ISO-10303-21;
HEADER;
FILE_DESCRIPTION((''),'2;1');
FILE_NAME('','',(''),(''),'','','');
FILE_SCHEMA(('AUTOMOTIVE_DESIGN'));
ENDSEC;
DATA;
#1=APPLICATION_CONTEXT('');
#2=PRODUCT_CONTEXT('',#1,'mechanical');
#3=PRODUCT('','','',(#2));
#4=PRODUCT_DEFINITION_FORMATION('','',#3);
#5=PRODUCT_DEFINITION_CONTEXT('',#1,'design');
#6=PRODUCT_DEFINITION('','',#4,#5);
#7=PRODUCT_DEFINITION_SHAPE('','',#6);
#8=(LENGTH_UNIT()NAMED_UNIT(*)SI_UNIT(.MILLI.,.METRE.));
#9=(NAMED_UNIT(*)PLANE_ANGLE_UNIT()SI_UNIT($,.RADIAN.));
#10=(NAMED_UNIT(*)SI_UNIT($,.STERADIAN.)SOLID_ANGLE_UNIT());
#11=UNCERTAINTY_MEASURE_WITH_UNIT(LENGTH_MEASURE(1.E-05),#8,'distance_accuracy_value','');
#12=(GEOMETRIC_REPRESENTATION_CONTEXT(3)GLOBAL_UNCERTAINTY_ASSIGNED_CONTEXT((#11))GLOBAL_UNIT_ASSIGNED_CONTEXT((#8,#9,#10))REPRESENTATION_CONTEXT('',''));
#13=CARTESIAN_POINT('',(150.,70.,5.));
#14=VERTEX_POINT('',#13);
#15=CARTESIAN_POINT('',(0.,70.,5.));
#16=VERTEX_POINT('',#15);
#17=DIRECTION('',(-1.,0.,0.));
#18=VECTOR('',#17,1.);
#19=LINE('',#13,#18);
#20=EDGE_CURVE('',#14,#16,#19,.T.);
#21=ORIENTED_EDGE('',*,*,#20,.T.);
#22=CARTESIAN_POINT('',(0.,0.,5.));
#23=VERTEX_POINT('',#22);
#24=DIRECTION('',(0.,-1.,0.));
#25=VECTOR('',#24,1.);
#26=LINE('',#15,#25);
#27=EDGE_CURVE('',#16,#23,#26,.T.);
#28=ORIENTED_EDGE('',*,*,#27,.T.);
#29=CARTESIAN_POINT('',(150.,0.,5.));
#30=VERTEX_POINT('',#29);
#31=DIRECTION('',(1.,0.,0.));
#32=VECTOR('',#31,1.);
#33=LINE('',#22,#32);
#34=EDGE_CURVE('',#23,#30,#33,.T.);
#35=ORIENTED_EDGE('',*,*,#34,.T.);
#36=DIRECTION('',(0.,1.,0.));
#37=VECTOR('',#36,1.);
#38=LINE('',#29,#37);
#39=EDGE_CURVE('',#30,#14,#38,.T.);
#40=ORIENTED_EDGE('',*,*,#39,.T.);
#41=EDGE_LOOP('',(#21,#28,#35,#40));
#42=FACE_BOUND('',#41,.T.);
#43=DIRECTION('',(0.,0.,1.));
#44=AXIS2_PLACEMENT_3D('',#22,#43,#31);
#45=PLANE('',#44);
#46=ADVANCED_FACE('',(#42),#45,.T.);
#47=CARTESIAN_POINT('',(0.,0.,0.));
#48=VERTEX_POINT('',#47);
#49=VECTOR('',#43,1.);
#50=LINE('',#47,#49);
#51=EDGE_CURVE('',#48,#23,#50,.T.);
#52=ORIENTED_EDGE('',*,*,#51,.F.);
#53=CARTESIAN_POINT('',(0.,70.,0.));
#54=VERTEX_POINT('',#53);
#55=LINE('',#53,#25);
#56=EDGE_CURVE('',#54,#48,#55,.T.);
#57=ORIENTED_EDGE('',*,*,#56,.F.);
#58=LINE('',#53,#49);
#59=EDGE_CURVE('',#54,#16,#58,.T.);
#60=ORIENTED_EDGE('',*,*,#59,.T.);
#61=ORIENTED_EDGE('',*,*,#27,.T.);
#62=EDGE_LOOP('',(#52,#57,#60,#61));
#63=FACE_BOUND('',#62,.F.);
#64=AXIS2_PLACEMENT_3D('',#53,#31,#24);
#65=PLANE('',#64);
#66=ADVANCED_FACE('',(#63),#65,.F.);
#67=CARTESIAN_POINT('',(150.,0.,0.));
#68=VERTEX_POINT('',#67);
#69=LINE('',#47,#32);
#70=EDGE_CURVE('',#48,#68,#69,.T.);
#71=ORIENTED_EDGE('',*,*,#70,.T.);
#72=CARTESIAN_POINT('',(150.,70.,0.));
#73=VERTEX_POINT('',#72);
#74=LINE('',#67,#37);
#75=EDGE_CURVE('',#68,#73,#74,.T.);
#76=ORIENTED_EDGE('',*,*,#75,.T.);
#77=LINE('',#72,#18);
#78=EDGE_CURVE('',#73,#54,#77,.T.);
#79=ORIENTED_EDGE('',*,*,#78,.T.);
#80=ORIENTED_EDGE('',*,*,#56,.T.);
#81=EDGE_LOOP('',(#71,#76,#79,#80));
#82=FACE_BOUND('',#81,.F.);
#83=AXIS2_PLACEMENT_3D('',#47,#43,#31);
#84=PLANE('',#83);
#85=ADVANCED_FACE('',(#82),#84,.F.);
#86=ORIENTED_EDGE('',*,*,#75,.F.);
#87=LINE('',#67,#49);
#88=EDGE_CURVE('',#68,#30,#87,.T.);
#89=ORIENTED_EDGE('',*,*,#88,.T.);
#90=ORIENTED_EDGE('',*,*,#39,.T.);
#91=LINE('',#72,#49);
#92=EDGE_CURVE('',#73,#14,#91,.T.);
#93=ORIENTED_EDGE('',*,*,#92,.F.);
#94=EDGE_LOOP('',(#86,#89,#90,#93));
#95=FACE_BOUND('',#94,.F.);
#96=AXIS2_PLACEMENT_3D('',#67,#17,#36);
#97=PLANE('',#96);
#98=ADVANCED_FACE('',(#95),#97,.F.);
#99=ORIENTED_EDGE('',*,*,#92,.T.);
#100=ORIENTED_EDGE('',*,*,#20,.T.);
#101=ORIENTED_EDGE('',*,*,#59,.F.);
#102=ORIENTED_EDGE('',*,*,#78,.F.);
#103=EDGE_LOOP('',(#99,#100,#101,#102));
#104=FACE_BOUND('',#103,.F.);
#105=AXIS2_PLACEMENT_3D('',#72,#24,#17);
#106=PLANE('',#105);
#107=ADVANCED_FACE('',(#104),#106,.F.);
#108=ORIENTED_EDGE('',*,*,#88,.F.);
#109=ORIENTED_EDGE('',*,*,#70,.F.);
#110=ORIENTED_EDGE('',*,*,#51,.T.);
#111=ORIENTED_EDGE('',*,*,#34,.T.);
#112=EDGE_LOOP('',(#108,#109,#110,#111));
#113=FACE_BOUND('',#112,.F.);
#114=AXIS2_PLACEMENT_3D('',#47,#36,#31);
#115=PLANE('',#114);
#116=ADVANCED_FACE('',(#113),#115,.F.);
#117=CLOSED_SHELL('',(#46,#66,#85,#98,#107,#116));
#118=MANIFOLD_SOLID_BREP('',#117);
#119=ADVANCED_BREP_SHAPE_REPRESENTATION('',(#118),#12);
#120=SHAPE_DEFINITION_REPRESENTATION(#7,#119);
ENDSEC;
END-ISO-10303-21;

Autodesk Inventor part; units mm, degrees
ref_plane "YZ Plane" through (0, 0, 0) normal (1, 0, 0) x (0, 1, 0)
ref_plane "XZ Plane" through (0, 0, 0) normal (0, 1, 0) x (-1, 0, 0)
ref_plane "XY Plane" through (0, 0, 0) normal (0, 0, 1) x (1, 0, 0)
sketch "Sketch1" plane through (0, 0, 0) normal (0, 0, 1) x (1, 0, 0)
  line L0 (0, 0) -> (150, 0)
  line L1 (150, 0) -> (150, 70)
  line L2 (150, 70) -> (0, 70)
  line L3 (0, 70) -> (0, 0)
  dimension "d0" = 150
  dimension "d1" = 70
extrude "Extrusion1" add sketch "Sketch1" along normal blind 5
properties part number "base"
